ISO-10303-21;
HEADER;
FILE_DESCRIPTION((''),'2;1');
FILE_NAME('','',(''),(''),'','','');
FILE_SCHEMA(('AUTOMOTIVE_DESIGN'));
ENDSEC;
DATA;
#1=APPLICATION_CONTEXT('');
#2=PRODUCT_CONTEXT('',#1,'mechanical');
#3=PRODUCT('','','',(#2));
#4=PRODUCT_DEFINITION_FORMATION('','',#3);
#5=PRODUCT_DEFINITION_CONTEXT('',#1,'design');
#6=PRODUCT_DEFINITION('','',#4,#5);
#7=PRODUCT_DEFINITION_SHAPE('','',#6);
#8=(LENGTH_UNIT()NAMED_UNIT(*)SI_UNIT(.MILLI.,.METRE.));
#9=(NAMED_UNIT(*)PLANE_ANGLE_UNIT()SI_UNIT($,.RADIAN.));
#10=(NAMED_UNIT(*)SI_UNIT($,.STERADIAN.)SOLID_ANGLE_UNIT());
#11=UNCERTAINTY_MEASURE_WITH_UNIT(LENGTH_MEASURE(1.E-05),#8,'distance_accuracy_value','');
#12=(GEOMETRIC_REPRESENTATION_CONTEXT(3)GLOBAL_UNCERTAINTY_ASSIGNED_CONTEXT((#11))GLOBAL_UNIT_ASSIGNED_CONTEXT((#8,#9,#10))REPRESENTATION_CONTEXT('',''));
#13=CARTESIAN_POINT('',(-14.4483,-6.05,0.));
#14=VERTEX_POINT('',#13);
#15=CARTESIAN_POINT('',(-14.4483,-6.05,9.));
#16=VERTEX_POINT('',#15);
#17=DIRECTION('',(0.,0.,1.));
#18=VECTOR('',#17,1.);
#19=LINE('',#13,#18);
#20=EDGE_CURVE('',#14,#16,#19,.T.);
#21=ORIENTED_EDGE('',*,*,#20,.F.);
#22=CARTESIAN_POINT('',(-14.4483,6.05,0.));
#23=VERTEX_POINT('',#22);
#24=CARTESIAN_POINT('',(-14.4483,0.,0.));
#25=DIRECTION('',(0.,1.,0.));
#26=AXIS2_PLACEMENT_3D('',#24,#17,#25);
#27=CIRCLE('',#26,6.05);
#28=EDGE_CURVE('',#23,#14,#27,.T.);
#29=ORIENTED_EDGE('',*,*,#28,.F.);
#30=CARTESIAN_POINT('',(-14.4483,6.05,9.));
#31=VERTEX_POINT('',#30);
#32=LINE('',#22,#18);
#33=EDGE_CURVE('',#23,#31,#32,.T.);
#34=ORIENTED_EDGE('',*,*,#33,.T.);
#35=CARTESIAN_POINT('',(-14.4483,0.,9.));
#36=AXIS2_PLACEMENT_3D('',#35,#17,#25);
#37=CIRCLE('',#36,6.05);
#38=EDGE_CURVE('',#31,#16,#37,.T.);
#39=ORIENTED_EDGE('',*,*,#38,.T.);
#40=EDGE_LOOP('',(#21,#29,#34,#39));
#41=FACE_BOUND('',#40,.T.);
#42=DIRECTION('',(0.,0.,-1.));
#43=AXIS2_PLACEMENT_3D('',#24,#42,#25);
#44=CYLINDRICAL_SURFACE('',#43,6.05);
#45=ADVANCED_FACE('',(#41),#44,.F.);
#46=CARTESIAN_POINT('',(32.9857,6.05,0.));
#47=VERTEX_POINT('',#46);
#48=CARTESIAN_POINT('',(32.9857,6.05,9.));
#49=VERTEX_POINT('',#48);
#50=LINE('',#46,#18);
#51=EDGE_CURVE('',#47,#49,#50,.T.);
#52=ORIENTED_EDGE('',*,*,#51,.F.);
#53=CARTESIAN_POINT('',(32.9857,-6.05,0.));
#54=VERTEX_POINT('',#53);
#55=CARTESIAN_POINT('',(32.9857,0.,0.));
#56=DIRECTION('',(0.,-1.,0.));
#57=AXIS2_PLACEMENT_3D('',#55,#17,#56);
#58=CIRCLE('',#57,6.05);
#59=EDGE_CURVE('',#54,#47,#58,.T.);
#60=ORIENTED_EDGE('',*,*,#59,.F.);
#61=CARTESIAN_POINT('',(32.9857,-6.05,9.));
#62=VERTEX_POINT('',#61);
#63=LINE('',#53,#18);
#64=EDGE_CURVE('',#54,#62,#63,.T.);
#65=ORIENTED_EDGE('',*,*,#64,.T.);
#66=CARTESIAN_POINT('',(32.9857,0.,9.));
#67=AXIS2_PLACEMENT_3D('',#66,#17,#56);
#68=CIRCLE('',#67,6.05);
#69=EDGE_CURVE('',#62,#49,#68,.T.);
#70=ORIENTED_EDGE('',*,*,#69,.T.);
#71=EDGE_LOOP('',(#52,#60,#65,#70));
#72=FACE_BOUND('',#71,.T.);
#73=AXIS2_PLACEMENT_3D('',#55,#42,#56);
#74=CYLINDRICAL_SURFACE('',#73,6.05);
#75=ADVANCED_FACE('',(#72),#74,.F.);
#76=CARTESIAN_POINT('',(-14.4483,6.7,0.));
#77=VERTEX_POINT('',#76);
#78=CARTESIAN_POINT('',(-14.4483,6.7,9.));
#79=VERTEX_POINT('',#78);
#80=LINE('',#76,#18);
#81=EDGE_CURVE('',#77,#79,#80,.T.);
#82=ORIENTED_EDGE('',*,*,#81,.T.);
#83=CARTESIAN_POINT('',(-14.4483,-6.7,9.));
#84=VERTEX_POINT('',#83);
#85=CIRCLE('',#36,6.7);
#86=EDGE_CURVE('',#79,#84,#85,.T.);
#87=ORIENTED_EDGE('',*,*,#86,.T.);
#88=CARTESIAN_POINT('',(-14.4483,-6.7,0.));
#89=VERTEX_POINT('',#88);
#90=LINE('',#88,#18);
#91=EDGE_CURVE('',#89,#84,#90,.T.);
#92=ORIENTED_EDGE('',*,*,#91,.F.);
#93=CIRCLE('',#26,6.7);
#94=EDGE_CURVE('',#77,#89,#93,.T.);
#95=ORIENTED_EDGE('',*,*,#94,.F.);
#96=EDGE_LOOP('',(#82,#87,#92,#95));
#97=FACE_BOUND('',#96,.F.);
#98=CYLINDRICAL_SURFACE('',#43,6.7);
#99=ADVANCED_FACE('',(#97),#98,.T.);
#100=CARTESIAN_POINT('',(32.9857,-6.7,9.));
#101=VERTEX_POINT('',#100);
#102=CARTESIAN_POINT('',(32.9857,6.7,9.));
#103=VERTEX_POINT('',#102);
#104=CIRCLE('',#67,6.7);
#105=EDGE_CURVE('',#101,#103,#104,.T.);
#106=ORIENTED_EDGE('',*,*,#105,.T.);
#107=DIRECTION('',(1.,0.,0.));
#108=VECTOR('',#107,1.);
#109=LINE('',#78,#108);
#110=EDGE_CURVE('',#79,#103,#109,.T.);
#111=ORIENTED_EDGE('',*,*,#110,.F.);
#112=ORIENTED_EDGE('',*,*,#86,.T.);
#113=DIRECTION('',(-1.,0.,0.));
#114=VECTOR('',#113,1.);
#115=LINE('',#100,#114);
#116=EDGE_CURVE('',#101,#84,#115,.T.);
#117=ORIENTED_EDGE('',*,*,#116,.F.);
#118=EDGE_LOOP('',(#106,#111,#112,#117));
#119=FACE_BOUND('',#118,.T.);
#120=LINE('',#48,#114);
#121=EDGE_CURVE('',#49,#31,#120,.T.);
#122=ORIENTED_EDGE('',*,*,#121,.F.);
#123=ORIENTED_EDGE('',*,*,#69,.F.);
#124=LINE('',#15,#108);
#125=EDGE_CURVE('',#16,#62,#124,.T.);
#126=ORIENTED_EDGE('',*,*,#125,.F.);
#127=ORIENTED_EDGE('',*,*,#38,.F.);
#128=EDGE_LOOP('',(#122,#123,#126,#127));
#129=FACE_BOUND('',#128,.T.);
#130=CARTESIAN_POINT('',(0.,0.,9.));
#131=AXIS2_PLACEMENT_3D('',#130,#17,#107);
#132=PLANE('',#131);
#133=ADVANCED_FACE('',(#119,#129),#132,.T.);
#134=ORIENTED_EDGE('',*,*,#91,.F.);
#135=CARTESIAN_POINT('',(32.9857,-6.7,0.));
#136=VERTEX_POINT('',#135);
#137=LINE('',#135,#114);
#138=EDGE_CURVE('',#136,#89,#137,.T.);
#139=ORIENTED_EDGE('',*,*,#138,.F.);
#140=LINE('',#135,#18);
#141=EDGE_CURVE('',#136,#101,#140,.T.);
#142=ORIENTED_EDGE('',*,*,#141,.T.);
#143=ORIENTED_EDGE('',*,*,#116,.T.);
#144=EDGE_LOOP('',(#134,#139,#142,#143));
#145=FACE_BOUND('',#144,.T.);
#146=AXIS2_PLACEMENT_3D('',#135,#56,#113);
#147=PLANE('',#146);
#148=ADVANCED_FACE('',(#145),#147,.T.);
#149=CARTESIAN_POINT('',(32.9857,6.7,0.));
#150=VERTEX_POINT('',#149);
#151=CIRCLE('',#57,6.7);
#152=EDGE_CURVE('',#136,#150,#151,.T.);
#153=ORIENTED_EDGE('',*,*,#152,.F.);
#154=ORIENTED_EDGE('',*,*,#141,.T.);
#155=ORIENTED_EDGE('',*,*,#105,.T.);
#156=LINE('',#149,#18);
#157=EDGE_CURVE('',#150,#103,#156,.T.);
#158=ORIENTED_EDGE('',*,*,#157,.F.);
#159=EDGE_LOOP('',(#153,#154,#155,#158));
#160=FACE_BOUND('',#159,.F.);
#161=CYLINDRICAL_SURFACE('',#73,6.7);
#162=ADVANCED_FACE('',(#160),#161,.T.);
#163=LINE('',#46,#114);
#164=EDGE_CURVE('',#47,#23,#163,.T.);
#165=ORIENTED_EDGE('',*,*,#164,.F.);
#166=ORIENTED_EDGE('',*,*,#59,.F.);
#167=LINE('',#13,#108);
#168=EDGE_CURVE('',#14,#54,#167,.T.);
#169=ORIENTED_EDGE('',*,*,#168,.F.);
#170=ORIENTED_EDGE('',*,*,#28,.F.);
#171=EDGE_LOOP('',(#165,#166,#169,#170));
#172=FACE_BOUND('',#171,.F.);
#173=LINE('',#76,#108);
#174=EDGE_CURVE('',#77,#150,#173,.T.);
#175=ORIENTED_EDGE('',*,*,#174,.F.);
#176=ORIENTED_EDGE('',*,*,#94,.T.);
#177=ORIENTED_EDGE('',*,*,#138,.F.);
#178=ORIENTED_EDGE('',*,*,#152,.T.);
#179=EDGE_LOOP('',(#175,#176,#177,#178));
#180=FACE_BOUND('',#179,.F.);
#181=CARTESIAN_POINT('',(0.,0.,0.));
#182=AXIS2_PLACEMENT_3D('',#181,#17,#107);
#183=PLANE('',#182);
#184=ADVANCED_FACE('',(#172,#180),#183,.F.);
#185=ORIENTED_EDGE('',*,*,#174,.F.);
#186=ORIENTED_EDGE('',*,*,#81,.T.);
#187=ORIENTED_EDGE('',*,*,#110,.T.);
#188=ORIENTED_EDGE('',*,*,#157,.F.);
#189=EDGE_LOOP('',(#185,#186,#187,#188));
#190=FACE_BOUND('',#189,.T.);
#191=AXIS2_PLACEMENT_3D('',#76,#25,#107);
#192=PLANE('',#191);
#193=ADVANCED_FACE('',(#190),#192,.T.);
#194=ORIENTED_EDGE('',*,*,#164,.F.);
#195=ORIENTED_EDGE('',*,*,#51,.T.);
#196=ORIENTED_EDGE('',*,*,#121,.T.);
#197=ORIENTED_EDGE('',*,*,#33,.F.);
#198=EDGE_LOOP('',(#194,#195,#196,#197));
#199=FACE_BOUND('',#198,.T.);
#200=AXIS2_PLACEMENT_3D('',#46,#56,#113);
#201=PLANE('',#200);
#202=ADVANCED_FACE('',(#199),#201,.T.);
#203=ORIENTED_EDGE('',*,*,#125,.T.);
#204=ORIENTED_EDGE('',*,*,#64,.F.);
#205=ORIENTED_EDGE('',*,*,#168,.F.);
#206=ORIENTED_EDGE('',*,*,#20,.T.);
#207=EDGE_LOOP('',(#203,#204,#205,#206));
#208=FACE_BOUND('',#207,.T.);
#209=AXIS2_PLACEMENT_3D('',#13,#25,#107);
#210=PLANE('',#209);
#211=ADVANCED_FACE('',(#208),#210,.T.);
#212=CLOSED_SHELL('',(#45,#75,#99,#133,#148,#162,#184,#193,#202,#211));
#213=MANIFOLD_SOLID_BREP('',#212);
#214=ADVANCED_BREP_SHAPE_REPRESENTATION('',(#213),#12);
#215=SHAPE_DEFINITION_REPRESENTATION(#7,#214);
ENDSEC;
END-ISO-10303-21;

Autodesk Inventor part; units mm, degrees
ref_plane "YZ Plane" through (0, 0, 0) normal (1, 0, 0) x (0, 1, 0)
ref_plane "XZ Plane" through (0, 0, 0) normal (0, 1, 0) x (-1, 0, 0)
ref_plane "XY Plane" through (0, 0, 0) normal (0, 0, 1) x (1, 0, 0)
sketch "Szkic1" plane through (0, 0, 0) normal (0, 0, 1) x (1, 0, 0)
  line L0 (-14.4483, 0) -> (32.9857, 0) construction
  line L1 (-14.4483, -6.05) -> (32.9857, -6.05)
  line L2 (32.9857, 6.05) -> (-14.4483, 6.05)
  arc A0 (-14.4483, 6.05) -> (-14.4483, -6.05) centre (-14.4483, 0) ccw
  arc A1 (32.9857, -6.05) -> (32.9857, 6.05) centre (32.9857, 0) ccw
  line L3 (-14.4483, 6.7) -> (32.9857, 6.7)
  arc A2 (32.9857, -6.7) -> (32.9857, 6.7) centre (32.9857, 0) ccw
  line L4 (32.9857, -6.7) -> (-14.4483, -6.7)
  arc A3 (-14.4483, 6.7) -> (-14.4483, -6.7) centre (-14.4483, 0) ccw
  point P0 (0, 0)
  point P1 (9.2687, 0)
  dimension "d0" = 47.434
  dimension "d1" = 12.1
  dimension "d2" = 0.65
extrude "Wyciągnięcie proste1" add sketch "Szkic1" along normal blind 9
properties part number "COTS_GENERIC_Y_Axis_GT2_Timing_Belt_Stepper"
